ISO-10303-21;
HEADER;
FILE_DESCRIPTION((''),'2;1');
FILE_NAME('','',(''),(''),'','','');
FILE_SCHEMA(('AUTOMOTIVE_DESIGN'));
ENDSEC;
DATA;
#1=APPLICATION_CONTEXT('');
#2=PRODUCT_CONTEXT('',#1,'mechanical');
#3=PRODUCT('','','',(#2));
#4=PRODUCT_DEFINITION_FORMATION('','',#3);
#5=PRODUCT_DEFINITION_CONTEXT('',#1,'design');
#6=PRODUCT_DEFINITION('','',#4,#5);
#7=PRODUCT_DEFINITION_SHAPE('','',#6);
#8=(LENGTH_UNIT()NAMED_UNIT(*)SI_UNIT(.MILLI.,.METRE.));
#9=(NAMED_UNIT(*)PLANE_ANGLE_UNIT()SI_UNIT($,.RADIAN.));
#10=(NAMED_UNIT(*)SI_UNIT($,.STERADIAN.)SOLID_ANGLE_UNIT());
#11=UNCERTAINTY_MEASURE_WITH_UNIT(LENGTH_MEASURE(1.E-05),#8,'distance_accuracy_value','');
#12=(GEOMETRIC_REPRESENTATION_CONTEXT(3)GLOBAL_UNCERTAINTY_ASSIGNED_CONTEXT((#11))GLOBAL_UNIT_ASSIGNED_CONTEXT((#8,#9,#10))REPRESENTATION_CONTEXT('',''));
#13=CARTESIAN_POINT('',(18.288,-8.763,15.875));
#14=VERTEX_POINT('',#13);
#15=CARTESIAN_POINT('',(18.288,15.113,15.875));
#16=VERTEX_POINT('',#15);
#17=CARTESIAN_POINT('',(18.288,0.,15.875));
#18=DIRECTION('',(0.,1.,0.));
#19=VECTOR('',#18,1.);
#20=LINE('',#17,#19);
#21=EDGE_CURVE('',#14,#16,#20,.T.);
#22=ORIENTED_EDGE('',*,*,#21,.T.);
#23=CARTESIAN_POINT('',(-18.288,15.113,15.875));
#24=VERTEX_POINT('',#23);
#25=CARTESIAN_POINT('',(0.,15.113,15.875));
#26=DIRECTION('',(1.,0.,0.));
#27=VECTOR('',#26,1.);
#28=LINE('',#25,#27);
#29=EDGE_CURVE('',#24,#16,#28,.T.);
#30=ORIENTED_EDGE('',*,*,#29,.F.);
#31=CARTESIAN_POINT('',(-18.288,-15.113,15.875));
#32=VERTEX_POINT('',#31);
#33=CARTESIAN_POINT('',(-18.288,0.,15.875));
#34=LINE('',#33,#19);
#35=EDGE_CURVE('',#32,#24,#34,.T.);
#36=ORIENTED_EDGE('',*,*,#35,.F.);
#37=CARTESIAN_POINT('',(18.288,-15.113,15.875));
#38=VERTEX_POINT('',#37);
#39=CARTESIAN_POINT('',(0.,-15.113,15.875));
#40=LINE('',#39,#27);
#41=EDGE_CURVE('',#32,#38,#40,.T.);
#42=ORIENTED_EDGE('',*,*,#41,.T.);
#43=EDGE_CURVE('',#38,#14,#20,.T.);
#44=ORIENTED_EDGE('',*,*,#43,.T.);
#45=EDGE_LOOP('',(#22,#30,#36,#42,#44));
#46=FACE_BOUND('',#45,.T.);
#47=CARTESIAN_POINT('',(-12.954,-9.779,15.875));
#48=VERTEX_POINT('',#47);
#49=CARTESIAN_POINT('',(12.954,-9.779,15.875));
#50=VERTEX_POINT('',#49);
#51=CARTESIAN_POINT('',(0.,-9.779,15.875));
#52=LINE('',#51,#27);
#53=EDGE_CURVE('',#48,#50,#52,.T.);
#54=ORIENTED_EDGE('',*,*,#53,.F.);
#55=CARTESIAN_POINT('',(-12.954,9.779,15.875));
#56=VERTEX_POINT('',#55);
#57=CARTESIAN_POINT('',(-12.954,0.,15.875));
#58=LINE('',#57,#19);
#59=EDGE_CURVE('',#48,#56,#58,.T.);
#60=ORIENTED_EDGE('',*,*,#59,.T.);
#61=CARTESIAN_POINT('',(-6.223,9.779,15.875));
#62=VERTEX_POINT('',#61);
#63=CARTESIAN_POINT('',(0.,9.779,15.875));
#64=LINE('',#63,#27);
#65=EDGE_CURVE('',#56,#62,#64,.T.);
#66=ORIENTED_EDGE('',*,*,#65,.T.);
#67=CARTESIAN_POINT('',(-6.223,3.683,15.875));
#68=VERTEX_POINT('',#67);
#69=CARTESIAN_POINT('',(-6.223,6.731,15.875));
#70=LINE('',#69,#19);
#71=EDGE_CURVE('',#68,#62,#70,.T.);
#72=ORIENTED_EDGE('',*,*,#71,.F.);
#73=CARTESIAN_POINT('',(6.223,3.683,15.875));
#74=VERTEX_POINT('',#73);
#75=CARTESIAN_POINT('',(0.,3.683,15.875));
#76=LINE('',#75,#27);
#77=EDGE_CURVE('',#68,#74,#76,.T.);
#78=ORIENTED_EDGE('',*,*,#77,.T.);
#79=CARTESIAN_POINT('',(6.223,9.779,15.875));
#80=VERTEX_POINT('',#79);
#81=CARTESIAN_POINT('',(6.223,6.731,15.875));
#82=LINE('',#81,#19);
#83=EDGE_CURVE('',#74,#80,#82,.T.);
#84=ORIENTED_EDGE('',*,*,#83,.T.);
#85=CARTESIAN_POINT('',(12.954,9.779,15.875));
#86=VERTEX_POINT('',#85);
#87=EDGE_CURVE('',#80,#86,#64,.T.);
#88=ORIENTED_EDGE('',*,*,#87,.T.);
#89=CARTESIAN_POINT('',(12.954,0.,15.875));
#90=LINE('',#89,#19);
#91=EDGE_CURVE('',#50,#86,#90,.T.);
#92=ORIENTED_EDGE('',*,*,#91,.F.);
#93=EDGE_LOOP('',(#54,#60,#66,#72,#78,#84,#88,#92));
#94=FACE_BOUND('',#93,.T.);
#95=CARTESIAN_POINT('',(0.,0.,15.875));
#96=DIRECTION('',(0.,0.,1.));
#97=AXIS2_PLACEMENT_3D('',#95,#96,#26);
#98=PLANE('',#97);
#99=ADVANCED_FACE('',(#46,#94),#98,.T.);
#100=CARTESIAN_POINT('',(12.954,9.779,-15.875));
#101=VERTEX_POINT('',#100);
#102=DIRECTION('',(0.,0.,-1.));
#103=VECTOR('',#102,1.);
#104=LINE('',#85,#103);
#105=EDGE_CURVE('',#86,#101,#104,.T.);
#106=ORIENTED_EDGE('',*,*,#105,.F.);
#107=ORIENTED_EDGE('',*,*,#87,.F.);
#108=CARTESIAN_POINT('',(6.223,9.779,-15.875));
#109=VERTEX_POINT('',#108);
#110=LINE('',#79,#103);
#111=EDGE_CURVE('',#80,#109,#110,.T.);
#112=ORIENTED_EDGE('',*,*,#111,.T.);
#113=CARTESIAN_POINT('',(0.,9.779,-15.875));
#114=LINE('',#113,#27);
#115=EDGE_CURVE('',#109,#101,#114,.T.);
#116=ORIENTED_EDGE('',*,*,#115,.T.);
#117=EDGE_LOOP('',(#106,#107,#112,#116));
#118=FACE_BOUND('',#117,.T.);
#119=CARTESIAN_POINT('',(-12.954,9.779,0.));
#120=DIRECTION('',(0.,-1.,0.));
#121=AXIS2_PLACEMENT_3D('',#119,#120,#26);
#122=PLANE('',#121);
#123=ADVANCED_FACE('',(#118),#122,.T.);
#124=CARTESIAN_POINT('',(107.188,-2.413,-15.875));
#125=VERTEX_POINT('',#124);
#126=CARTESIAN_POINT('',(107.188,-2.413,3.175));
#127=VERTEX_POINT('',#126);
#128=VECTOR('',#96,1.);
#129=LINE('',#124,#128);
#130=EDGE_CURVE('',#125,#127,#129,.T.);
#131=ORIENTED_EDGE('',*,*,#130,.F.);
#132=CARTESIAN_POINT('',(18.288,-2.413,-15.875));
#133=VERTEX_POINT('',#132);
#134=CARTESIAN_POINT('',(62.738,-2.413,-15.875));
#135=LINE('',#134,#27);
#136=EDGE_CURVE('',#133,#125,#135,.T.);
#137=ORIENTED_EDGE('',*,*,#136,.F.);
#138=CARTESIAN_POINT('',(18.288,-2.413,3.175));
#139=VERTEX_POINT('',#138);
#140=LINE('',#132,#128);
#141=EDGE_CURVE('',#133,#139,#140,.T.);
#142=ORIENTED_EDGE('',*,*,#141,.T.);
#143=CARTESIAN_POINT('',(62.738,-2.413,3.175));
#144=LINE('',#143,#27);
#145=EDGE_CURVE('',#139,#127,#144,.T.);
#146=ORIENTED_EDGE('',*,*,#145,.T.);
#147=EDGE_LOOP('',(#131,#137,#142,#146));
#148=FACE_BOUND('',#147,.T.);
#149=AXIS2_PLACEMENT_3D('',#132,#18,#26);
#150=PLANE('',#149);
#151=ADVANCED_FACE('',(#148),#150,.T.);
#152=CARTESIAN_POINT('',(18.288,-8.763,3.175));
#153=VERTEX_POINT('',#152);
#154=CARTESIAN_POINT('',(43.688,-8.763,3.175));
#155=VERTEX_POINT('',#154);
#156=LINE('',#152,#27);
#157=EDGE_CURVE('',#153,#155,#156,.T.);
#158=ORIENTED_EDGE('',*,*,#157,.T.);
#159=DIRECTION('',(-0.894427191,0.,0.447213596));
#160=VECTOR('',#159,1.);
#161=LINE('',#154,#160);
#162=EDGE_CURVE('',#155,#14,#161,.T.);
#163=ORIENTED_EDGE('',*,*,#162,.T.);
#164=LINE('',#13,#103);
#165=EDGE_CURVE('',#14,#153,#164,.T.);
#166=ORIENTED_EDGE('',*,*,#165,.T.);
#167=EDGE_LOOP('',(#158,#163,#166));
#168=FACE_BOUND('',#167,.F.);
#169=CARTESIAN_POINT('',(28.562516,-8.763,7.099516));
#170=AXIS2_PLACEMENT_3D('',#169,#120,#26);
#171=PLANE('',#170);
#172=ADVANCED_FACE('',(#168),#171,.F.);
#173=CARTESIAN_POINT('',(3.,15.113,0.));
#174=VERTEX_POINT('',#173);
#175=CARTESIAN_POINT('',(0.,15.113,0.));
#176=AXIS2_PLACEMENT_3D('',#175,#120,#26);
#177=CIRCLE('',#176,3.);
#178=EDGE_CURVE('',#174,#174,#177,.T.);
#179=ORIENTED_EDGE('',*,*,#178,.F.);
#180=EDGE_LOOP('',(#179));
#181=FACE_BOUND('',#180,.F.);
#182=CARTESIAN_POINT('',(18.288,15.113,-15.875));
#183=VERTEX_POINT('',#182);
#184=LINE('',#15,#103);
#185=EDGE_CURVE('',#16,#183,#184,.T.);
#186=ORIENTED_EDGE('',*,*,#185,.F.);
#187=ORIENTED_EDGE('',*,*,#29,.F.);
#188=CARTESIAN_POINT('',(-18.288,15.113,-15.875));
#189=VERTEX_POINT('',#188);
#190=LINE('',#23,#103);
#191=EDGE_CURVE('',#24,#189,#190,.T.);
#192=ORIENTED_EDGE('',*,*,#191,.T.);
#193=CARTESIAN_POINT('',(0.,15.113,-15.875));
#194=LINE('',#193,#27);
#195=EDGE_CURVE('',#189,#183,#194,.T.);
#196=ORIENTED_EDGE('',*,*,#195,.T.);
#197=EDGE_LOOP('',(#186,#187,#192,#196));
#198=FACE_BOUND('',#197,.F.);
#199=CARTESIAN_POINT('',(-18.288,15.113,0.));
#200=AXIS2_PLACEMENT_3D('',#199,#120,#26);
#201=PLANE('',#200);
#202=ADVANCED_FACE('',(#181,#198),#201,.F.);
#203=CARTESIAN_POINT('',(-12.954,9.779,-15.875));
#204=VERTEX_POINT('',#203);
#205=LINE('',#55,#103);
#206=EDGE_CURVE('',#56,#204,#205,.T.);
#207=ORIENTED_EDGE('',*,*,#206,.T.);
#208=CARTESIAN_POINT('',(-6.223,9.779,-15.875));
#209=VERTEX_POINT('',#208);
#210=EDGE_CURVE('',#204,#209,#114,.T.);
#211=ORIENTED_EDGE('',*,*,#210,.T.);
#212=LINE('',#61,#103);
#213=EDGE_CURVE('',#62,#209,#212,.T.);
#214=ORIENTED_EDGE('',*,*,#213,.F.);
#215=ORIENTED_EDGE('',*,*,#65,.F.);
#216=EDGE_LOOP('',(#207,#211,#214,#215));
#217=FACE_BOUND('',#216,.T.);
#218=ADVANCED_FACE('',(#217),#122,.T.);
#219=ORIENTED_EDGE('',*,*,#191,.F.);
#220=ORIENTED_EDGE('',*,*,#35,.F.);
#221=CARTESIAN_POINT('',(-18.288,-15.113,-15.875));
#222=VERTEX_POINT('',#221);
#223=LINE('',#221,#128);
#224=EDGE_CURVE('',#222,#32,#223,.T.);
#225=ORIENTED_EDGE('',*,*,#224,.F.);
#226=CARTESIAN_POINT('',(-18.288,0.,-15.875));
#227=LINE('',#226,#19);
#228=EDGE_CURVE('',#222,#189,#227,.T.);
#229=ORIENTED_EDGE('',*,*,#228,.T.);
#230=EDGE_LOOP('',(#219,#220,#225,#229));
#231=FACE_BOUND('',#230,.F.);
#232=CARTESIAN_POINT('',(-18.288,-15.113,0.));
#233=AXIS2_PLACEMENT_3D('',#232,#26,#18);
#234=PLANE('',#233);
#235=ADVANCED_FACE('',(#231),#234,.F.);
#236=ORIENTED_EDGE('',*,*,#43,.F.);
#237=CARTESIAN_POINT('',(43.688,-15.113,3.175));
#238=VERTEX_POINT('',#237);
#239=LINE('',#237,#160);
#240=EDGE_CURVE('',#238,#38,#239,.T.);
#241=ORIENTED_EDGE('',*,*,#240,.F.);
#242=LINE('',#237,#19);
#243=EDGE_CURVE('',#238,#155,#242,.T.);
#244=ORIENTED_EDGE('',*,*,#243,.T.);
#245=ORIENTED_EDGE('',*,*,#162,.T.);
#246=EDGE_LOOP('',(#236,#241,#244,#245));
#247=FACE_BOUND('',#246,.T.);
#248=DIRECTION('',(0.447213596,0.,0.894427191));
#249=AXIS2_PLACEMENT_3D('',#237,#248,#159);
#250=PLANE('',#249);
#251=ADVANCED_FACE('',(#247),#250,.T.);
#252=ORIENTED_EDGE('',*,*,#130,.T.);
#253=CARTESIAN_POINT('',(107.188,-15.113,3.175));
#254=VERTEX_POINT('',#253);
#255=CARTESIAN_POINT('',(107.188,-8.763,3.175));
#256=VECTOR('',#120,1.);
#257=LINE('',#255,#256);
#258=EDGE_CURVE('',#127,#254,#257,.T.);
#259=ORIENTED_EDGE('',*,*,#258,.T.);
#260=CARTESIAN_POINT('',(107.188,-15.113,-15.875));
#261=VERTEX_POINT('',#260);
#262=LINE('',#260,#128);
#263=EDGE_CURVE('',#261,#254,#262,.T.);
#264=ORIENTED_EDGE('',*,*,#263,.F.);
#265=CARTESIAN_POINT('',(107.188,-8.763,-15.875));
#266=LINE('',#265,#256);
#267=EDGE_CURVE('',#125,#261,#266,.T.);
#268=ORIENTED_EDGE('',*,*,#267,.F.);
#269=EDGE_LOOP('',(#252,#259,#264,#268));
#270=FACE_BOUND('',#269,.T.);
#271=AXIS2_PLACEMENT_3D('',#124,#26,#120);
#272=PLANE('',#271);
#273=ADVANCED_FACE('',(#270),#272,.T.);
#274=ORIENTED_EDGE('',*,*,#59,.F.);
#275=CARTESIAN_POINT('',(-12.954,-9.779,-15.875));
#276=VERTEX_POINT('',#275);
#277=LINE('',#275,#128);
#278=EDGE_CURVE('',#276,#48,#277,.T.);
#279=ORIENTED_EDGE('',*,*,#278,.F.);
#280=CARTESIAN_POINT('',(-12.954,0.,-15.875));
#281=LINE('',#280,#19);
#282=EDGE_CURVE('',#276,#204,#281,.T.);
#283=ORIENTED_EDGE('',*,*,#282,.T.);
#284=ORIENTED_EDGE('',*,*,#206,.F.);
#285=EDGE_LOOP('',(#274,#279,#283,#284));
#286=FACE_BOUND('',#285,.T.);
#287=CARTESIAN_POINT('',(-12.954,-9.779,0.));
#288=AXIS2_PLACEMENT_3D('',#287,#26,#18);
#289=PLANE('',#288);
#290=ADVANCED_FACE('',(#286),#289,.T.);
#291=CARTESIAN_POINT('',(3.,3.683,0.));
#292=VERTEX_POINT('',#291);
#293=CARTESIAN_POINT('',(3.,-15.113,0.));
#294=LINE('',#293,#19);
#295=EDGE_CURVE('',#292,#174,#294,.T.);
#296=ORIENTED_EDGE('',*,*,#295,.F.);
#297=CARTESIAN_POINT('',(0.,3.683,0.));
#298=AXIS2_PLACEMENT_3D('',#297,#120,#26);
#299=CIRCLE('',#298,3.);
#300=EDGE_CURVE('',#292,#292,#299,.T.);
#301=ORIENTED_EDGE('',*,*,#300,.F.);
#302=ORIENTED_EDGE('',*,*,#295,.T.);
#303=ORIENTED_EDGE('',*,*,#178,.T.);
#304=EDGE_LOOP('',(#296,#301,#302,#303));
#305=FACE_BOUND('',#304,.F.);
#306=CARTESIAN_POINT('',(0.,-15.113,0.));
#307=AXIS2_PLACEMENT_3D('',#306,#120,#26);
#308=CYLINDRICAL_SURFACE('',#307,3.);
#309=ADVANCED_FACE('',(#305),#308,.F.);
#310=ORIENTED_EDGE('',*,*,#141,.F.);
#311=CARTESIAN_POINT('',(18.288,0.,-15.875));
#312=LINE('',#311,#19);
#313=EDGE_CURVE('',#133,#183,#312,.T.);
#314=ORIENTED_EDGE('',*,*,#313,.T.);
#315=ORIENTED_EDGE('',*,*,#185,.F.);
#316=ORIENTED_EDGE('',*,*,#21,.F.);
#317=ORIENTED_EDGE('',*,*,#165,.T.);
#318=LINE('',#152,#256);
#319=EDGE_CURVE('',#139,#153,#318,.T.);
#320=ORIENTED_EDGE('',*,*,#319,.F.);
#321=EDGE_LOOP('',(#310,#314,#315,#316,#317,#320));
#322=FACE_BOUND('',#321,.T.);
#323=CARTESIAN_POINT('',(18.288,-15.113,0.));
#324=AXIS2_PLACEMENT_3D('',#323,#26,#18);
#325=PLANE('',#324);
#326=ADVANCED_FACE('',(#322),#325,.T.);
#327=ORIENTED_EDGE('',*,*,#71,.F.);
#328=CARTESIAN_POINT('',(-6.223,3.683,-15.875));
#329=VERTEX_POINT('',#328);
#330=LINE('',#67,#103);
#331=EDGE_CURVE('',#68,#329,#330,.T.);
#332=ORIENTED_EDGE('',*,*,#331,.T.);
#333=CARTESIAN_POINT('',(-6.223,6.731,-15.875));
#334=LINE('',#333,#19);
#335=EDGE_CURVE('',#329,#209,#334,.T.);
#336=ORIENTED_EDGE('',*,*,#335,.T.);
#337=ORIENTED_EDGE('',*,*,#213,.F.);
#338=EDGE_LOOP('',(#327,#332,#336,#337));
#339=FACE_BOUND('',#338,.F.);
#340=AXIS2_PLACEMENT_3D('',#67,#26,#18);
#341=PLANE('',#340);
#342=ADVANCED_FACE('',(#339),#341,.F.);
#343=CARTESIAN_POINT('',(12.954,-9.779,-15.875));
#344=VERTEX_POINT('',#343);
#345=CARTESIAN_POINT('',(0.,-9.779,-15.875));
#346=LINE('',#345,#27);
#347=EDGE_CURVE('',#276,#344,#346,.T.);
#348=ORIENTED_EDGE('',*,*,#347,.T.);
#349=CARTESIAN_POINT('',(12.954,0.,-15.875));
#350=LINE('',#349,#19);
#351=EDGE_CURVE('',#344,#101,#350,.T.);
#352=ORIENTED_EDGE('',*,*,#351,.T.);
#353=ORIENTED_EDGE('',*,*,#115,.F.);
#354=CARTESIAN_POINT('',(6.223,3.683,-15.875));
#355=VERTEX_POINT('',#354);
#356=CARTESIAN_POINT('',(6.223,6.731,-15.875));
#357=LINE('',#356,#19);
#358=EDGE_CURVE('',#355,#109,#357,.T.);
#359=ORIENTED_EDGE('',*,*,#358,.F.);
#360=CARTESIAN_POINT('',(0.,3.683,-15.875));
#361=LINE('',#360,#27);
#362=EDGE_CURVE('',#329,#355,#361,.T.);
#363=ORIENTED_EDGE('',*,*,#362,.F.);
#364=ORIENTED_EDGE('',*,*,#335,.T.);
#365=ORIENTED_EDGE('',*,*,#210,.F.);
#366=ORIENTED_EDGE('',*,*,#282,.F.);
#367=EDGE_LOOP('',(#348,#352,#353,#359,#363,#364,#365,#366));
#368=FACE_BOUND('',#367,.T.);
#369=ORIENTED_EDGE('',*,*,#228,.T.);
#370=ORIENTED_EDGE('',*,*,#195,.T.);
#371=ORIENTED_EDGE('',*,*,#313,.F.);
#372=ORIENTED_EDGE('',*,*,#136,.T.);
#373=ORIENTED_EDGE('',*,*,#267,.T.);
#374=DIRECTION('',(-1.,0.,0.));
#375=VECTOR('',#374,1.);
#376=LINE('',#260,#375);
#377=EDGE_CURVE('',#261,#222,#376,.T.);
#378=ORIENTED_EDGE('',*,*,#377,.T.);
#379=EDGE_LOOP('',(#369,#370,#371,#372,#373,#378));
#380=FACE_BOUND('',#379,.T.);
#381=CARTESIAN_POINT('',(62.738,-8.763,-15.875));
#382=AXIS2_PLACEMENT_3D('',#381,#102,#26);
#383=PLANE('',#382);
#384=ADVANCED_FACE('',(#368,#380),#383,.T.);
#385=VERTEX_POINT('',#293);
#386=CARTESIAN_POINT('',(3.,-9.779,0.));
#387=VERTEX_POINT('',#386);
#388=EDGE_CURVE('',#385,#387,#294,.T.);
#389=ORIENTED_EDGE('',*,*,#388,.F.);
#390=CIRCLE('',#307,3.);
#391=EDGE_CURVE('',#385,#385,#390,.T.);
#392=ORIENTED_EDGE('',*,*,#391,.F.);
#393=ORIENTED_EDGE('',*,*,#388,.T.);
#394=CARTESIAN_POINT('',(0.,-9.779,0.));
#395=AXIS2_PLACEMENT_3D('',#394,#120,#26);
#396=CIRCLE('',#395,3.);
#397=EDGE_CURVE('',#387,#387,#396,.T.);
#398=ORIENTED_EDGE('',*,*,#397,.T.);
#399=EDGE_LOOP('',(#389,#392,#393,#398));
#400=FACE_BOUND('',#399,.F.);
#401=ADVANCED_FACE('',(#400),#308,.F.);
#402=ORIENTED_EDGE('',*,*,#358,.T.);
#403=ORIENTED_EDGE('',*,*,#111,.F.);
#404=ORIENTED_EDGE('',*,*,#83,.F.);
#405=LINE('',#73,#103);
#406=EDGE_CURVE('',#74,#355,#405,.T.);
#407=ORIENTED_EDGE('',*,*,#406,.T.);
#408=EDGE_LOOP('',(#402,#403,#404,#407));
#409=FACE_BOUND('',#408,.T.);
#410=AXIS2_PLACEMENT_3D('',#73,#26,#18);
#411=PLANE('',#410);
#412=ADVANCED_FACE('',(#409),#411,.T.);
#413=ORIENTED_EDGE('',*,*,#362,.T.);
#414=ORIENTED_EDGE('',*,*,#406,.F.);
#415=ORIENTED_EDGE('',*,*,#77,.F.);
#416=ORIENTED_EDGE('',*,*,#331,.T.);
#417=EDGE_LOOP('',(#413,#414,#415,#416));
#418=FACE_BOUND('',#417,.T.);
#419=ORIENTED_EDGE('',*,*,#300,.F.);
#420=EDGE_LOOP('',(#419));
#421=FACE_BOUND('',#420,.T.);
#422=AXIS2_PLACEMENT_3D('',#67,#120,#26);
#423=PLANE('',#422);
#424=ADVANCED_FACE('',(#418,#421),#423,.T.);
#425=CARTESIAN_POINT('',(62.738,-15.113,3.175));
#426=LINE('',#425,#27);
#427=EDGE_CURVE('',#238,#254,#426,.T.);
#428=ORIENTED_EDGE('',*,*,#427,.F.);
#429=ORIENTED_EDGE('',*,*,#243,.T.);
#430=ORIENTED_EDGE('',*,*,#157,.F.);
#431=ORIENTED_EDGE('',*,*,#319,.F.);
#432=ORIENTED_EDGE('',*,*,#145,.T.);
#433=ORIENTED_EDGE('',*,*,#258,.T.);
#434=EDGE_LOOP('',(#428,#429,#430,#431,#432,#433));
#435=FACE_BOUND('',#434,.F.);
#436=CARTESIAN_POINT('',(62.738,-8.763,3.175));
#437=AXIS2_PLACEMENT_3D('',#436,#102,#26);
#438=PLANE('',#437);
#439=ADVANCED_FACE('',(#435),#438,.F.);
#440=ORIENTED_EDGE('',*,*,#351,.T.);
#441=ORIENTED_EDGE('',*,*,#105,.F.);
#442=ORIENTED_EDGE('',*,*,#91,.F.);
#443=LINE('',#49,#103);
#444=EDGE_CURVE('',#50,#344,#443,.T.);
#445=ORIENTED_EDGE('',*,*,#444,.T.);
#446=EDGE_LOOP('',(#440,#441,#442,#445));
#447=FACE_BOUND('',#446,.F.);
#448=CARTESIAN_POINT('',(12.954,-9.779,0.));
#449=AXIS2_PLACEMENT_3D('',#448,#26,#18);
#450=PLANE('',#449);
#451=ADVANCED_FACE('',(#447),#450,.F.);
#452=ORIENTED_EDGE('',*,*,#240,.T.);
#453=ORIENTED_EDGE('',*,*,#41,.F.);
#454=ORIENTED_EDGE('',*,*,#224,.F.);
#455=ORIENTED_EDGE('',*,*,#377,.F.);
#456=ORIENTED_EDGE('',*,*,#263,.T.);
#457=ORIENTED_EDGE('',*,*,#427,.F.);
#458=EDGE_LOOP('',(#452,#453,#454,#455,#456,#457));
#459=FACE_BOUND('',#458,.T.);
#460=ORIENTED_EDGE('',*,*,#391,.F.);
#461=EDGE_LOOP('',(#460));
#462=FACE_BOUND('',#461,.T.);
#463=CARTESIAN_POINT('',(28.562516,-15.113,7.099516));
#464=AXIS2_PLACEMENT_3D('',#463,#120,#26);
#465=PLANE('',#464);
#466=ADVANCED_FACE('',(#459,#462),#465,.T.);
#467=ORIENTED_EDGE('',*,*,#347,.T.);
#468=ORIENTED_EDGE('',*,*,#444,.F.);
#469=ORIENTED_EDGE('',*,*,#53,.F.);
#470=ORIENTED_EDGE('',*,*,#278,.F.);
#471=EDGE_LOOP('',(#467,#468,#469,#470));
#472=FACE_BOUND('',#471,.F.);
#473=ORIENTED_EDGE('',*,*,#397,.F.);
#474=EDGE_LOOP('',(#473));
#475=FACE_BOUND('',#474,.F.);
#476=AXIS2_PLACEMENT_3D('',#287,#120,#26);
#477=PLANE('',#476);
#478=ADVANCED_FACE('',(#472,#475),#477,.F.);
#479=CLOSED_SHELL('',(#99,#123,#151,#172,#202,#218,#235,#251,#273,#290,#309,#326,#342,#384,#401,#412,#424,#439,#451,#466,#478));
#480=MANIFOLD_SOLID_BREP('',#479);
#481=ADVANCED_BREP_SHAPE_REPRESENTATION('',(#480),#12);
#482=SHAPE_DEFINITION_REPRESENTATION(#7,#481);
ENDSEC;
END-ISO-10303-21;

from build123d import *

# Parameters (mm, degrees)
F0_W      = 36.576
F0_H      = 30.226
F0_W_2    = 25.908
F0_H_2    = 19.558
F1_DEPTH  = 15.875
F2_W      = 12.446
F2_H      = 6.096
F3_DEPTH  = 31.75
F4_W      = 88.9
F4_H      = 12.7
F5_DEPTH  = 19.05
F7_DEPTH  = 6.35
F9_R      = 3
F10_DEPTH = 30.227


with BuildPart() as f1:
    # F0 (on Top) → F1 (new body, symmetric)
    with BuildSketch(Plane.XY):
        Rectangle(F0_W, F0_H)
        Rectangle(F0_W_2, F0_H_2, mode=Mode.SUBTRACT)
    extrude(amount=F1_DEPTH, both=True)

    # F2 (on face) → F3 (join)
    with BuildSketch(Plane.XY.offset(15.875)):
        with Locations((0, 6.731)):
            Rectangle(F2_W, F2_H)
    extrude(amount=-F3_DEPTH)

    # F4 (on face) → F5 (join)
    with BuildSketch(Plane(origin=(0, 0, -15.875), x_dir=(1, 0, 0), z_dir=(0, 0, -1))):
        with Locations((62.738, 8.763)):
            Rectangle(F4_W, F4_H)
    extrude(amount=-F5_DEPTH)

    # F6 (on face) → F7 (join)
    with BuildSketch(Plane.XZ.offset(15.113)):
        Polygon((43.688, 3.175), (18.288, 15.875), (18.288, 3.175), align=None)
    extrude(amount=-F7_DEPTH)

    # F9 (on face) → F10 (cut, through all)
    with BuildSketch(Plane.XZ.offset(15.113)):
        Circle(F9_R)
    extrude(amount=-F10_DEPTH, mode=Mode.SUBTRACT)


solid = f1.part
